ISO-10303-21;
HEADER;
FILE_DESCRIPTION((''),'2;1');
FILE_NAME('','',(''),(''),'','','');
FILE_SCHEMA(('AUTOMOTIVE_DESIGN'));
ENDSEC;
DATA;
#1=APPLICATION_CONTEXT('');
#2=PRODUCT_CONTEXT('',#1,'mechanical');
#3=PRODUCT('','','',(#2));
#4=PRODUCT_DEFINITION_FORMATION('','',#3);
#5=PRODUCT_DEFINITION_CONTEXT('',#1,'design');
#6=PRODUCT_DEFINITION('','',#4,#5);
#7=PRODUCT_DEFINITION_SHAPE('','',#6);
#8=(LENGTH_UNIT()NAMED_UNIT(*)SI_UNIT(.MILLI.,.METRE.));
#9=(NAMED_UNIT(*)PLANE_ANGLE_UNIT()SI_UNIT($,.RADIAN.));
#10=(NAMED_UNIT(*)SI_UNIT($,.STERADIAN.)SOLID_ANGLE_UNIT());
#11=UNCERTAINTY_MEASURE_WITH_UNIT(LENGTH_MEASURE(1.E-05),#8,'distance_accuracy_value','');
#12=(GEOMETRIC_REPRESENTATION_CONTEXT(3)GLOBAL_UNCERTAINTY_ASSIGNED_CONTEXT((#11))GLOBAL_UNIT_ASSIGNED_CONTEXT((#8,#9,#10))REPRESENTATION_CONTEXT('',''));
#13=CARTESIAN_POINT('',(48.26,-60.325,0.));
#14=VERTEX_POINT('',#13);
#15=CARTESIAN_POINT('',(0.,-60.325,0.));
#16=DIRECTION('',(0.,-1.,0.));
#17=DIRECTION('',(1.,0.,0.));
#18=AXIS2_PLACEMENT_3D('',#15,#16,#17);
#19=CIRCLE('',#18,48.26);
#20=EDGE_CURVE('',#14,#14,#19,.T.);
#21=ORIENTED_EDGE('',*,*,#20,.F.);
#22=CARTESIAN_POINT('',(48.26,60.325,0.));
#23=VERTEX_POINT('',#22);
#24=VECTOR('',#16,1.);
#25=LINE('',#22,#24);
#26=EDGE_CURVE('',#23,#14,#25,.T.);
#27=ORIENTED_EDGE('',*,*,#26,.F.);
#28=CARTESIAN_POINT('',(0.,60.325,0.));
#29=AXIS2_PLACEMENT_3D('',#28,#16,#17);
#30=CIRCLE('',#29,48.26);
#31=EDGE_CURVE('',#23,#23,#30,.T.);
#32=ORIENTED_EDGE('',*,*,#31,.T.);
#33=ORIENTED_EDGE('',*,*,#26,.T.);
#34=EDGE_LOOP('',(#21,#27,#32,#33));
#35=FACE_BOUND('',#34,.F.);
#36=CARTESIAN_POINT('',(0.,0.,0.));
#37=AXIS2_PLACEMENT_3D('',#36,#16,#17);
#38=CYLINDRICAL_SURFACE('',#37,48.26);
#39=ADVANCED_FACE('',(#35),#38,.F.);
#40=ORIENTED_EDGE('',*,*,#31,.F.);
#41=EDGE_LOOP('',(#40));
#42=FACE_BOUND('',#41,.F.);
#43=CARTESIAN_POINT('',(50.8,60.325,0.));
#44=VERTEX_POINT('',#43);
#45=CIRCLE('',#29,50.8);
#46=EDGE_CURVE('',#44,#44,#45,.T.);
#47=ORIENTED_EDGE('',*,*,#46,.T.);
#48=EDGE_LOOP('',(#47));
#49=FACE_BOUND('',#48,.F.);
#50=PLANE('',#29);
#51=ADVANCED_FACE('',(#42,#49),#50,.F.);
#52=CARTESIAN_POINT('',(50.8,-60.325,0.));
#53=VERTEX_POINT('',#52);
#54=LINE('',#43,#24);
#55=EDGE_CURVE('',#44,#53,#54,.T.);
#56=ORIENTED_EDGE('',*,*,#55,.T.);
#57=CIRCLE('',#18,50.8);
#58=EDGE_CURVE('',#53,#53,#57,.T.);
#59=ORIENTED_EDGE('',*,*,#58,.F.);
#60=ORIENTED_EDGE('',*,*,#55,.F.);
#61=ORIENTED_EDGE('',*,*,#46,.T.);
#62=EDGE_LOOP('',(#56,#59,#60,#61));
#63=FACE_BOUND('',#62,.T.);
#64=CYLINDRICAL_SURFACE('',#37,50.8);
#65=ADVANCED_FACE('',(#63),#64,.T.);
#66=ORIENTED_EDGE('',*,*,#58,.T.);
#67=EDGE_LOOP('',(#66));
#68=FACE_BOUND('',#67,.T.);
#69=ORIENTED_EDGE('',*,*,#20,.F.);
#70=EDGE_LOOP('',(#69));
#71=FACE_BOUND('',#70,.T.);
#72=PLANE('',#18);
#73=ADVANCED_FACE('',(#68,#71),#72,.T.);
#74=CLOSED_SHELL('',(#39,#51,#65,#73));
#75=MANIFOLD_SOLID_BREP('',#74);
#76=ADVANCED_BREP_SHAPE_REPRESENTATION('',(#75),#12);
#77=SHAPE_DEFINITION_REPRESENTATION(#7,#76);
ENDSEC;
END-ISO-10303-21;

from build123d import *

# Parameters (mm, degrees)
F0_R     = 50.8
F1_DEPTH = 60.325
F2_T     = -2.54


with BuildPart() as f1:
    # F0 (on Front) → F1 (new body, symmetric)
    with BuildSketch(Plane.XZ):
        Circle(F0_R)
    extrude(amount=F1_DEPTH, both=True)

    # F2
    f2_openings = [f1.faces().sort_by_distance(p)[0] for p in [
        (0, 60.325, 0),
        (0, -60.325, 0),
    ]]
    offset(amount=F2_T, openings=f2_openings)


solid = f1.part
